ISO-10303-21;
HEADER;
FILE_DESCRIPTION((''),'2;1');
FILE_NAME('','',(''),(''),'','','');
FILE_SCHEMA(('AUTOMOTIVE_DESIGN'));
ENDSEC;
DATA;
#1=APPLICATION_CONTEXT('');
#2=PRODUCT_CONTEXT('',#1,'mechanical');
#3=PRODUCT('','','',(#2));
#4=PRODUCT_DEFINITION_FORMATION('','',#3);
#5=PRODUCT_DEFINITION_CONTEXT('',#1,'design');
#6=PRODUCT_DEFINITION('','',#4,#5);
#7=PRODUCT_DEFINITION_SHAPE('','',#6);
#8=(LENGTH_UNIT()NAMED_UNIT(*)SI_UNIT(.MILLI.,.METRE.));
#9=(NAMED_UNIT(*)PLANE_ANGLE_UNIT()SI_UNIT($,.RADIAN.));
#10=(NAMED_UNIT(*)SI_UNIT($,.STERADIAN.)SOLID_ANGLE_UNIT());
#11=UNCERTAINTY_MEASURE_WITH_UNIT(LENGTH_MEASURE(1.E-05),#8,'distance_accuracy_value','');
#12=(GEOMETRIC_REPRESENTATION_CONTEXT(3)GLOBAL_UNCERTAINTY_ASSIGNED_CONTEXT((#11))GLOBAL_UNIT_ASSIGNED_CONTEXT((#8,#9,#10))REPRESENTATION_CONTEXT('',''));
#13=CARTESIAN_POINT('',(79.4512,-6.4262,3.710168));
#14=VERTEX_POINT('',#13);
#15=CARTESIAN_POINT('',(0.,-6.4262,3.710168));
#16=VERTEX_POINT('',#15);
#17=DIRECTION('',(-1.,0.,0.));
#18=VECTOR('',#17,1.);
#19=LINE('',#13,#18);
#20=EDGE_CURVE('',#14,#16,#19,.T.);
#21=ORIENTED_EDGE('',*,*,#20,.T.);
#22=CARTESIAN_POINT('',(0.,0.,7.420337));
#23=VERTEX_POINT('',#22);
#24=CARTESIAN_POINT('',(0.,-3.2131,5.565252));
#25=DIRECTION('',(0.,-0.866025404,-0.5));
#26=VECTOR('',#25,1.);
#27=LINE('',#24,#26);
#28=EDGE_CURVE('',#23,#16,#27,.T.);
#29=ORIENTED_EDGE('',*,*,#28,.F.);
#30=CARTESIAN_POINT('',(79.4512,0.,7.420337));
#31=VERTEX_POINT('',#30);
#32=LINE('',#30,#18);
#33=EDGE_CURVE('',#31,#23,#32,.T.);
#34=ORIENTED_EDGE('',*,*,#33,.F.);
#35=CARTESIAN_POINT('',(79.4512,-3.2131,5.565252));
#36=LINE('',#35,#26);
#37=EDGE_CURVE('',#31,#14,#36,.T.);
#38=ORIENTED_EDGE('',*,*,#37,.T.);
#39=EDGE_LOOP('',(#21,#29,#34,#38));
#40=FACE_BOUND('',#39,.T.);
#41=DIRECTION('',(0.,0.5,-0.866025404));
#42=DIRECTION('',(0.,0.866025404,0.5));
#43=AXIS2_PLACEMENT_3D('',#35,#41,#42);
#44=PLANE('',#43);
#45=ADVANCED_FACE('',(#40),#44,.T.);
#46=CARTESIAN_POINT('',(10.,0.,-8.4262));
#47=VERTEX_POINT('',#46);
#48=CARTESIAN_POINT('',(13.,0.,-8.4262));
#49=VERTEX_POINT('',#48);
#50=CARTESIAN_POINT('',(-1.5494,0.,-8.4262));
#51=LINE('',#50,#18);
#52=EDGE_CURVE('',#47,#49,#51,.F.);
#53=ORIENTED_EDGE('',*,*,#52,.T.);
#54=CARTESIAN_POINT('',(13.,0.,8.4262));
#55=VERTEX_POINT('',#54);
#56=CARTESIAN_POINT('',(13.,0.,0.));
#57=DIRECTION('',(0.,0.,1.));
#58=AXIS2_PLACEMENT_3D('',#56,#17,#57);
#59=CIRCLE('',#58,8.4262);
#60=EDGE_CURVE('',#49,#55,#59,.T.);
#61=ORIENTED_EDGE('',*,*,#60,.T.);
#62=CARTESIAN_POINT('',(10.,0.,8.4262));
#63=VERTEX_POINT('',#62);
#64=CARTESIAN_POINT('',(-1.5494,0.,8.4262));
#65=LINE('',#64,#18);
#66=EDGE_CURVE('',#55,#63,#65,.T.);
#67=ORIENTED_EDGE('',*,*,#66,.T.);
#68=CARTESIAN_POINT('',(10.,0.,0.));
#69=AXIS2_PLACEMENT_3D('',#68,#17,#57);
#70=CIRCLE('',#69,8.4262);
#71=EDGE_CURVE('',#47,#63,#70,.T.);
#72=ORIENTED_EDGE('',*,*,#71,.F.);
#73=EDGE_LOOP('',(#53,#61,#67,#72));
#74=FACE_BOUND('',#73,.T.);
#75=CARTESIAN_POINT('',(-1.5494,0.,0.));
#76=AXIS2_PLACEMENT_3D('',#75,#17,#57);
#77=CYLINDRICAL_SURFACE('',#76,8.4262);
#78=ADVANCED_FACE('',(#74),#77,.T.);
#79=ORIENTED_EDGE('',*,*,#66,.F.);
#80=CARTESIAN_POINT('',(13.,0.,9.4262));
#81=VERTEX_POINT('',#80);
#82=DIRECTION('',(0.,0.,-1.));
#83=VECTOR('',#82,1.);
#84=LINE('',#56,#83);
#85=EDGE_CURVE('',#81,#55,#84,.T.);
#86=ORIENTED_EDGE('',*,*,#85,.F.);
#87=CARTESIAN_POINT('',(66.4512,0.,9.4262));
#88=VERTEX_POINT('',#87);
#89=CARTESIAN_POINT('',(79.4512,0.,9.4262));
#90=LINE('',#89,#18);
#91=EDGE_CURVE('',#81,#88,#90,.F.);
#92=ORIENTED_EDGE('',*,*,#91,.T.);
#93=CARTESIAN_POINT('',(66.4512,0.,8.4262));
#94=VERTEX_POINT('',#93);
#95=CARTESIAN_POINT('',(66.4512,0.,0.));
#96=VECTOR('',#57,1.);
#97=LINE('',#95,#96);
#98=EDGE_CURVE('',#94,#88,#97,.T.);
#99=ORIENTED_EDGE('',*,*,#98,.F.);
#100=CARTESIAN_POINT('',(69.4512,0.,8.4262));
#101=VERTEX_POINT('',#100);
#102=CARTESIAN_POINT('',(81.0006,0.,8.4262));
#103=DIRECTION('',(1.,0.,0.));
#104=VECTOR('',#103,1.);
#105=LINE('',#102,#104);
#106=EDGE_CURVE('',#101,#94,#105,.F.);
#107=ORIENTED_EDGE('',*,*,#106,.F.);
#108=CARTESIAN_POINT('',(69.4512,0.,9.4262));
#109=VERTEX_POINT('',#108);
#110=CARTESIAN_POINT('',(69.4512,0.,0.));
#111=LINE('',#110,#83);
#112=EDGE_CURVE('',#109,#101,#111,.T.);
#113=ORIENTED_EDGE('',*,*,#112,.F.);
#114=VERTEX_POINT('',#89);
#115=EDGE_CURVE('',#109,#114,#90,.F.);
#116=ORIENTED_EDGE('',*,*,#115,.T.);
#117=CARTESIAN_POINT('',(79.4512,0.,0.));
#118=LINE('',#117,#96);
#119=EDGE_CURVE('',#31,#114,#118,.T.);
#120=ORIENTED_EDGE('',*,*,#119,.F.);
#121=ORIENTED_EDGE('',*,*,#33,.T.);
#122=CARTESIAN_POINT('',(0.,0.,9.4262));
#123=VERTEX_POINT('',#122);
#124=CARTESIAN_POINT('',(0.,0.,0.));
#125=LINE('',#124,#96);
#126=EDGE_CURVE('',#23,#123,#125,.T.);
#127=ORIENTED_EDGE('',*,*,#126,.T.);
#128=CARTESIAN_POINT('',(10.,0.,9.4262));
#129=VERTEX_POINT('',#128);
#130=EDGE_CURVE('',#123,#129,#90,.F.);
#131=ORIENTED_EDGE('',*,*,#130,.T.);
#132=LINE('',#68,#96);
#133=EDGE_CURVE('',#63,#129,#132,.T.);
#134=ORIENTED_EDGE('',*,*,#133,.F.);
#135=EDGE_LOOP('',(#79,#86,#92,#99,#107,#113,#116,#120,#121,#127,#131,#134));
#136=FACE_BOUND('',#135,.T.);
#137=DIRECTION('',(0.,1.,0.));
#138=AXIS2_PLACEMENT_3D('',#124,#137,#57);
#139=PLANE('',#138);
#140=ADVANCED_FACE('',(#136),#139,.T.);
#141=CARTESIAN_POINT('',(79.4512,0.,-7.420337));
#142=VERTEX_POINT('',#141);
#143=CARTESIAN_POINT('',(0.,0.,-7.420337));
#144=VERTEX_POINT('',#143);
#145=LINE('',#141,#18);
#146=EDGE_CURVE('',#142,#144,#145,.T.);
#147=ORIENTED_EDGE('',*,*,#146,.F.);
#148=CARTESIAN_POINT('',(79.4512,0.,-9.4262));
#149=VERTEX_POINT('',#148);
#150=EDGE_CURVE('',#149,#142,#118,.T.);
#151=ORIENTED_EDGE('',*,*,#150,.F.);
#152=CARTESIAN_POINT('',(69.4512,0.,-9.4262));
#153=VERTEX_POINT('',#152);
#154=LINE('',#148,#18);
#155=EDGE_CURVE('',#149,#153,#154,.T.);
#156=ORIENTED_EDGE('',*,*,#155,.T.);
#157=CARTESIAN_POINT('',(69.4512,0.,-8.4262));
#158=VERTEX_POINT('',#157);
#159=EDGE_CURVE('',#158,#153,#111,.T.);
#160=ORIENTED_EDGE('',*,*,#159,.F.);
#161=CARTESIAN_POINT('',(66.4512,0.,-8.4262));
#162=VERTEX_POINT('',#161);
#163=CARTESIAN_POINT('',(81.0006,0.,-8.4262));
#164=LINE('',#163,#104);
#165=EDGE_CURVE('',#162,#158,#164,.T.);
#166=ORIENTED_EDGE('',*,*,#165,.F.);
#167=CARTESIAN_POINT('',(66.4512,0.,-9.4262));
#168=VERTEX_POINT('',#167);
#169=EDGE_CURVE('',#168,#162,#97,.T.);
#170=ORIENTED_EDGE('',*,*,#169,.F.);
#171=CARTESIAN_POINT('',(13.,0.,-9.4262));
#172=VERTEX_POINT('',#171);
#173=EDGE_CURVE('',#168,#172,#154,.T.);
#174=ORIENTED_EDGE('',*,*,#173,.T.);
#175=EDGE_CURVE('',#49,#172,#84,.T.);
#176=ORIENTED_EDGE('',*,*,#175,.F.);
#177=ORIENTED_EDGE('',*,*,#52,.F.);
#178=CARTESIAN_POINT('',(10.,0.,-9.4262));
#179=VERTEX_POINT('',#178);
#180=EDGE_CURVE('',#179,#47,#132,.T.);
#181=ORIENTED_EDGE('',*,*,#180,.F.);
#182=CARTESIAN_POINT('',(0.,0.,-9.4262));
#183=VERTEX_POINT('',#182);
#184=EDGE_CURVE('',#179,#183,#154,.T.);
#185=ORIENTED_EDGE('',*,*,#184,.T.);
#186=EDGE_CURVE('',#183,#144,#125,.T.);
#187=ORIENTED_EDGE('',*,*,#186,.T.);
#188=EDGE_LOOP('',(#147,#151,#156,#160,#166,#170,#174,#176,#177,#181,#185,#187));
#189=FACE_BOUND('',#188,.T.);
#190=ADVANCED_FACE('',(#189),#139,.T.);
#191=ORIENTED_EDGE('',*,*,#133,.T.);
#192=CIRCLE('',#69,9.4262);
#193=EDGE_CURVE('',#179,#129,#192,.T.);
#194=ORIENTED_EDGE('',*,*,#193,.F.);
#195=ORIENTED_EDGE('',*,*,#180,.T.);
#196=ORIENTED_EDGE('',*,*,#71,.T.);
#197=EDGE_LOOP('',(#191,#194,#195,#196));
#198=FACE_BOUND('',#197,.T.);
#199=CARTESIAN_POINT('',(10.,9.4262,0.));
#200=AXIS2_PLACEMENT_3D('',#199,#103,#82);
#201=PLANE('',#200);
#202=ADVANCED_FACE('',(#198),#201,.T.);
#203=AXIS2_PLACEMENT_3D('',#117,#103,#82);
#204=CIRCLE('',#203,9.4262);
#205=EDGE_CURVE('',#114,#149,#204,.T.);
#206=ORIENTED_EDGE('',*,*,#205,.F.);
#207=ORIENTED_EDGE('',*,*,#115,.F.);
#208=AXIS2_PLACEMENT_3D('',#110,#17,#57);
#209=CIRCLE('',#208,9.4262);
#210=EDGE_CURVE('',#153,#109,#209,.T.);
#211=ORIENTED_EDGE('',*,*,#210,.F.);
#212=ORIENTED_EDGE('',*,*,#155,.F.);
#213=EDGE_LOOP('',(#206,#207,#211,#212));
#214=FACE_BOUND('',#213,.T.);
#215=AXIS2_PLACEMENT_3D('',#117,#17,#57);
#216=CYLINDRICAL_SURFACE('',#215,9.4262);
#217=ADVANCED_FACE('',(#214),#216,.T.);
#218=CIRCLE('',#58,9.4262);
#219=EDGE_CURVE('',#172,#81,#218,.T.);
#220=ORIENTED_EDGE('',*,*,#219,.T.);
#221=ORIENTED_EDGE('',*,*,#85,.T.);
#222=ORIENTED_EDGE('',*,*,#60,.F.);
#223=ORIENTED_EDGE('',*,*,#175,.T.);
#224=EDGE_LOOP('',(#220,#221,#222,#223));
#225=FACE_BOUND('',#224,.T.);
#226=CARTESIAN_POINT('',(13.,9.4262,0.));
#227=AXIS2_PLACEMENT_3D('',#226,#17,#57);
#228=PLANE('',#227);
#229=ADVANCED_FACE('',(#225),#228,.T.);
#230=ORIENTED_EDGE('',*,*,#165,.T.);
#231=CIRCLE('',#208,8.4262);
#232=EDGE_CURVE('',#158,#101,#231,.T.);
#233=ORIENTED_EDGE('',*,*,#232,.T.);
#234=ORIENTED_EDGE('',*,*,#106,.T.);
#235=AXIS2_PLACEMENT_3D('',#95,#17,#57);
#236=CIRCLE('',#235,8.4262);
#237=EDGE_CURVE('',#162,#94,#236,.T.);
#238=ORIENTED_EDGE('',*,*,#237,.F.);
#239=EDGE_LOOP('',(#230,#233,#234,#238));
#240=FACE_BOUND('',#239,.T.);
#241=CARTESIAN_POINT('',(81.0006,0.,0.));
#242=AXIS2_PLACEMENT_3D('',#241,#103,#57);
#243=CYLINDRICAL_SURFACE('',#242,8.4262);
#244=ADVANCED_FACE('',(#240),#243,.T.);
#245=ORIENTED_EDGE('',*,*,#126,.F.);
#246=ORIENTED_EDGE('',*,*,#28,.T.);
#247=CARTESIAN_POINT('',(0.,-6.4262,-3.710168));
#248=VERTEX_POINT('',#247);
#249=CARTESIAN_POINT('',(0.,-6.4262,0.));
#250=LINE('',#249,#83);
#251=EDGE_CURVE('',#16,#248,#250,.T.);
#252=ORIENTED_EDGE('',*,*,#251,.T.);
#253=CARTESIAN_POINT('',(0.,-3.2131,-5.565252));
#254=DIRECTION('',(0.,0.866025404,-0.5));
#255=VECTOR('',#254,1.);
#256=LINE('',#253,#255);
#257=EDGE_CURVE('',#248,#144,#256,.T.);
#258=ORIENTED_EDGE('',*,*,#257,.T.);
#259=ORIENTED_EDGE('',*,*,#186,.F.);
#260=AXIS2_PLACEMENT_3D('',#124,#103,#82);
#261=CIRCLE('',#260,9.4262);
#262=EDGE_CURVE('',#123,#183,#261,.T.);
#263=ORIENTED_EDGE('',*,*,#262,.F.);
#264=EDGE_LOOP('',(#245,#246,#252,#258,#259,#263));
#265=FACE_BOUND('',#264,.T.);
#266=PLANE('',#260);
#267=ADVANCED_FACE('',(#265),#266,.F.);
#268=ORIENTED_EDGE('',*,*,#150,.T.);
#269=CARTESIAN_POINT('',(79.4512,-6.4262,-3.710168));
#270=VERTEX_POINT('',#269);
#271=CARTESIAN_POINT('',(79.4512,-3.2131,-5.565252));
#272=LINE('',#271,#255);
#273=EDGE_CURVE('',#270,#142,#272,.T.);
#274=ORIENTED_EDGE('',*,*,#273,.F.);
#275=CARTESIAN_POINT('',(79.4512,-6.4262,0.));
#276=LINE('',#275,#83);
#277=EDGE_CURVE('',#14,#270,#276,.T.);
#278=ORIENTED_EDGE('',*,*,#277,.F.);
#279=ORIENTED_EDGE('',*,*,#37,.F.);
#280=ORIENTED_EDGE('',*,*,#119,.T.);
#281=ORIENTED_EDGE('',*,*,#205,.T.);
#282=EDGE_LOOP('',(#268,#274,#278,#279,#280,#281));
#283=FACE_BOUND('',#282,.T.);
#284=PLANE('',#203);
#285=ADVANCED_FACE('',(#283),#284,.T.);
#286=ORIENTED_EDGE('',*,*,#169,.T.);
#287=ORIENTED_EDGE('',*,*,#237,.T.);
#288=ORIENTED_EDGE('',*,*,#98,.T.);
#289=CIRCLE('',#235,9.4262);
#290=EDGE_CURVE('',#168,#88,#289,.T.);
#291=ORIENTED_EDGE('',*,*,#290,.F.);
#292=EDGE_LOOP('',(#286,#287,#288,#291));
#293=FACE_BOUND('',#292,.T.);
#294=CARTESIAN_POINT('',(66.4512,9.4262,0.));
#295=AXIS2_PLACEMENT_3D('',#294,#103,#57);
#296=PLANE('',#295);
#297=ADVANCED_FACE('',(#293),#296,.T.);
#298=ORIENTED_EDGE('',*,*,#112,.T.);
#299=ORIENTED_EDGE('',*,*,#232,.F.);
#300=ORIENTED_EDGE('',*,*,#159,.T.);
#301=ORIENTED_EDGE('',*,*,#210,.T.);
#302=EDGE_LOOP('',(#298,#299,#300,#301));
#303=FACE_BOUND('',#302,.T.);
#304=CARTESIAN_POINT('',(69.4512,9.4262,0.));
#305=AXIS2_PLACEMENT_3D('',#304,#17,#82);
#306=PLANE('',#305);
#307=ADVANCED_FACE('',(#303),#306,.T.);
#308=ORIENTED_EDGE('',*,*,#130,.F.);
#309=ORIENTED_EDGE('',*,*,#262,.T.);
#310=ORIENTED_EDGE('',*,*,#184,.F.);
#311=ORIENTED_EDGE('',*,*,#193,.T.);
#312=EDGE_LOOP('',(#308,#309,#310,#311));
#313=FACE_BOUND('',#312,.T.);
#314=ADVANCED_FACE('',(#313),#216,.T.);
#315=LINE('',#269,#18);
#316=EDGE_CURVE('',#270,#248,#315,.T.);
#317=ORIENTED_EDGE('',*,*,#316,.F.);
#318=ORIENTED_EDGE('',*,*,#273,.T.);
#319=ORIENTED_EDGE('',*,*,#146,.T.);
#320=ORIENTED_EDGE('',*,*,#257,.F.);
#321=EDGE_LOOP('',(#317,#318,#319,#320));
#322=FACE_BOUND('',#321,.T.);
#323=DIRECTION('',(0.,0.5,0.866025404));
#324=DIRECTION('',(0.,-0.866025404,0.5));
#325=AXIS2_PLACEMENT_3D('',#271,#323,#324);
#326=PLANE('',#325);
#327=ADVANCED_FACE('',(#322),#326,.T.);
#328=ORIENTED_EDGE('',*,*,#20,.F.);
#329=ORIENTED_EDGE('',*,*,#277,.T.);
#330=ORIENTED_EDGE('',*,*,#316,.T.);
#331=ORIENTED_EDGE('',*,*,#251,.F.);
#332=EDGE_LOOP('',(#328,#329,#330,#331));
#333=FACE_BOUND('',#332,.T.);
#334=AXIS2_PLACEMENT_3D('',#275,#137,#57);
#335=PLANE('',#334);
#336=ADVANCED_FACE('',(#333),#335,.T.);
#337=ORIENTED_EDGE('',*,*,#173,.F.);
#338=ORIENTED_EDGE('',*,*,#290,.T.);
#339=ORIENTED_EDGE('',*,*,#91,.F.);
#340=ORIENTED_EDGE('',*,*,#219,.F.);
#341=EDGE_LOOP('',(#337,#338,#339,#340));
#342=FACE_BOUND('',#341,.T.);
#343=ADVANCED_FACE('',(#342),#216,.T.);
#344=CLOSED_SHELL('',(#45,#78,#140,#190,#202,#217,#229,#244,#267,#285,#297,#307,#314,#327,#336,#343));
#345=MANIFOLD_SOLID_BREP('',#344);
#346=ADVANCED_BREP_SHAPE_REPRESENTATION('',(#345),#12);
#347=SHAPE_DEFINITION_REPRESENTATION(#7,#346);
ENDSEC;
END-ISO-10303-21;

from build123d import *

# Parameters (mm, degrees)
SKETCH1_R           = 9.4262
BOSS_EXTRUDE1_DEPTH = 79.4512
SKETCH2_W           = 3
SKETCH2_H           = 1


with BuildPart() as part:
    # Sketch1 → Boss-Extrude1 (new body)
    with BuildSketch(Plane(origin=(0, 0, 0), x_dir=(0, 0, -1), z_dir=(1, 0, 0))):
        Circle(SKETCH1_R)
        Polygon((7.4203366, 0), (3.7101683, 6.4262), (-3.7101683, 6.4262), (-7.4203366, 0), (-3.7101683, -6.4262), (3.7101683, -6.4262), align=None, mode=Mode.SUBTRACT)
    extrude(amount=BOSS_EXTRUDE1_DEPTH)

    # Sketch2 → Cut-Revolve1 (revolve, cut)
    with BuildSketch(Plane.XY, mode=Mode.PRIVATE) as cut_revolve1_sk:
        with Locations((11.5, 8.9262)):
            Rectangle(SKETCH2_W, SKETCH2_H)
    cut_revolve1 = revolve(cut_revolve1_sk.sketch.rotate(Axis((-1.5494, 0, 0), (1, 0, 0)), 90), axis=Axis((-1.5494, 0, 0), (1, 0, 0)), mode=Mode.SUBTRACT)

    # Mirror1: Cut-Revolve1 across plane
    add(cut_revolve1.mirror(Plane.ZY.offset(-39.7256)), mode=Mode.SUBTRACT)

    # Split1
    split(bisect_by=Plane.ZX, keep=Keep.BOTTOM)


solid = part.part
